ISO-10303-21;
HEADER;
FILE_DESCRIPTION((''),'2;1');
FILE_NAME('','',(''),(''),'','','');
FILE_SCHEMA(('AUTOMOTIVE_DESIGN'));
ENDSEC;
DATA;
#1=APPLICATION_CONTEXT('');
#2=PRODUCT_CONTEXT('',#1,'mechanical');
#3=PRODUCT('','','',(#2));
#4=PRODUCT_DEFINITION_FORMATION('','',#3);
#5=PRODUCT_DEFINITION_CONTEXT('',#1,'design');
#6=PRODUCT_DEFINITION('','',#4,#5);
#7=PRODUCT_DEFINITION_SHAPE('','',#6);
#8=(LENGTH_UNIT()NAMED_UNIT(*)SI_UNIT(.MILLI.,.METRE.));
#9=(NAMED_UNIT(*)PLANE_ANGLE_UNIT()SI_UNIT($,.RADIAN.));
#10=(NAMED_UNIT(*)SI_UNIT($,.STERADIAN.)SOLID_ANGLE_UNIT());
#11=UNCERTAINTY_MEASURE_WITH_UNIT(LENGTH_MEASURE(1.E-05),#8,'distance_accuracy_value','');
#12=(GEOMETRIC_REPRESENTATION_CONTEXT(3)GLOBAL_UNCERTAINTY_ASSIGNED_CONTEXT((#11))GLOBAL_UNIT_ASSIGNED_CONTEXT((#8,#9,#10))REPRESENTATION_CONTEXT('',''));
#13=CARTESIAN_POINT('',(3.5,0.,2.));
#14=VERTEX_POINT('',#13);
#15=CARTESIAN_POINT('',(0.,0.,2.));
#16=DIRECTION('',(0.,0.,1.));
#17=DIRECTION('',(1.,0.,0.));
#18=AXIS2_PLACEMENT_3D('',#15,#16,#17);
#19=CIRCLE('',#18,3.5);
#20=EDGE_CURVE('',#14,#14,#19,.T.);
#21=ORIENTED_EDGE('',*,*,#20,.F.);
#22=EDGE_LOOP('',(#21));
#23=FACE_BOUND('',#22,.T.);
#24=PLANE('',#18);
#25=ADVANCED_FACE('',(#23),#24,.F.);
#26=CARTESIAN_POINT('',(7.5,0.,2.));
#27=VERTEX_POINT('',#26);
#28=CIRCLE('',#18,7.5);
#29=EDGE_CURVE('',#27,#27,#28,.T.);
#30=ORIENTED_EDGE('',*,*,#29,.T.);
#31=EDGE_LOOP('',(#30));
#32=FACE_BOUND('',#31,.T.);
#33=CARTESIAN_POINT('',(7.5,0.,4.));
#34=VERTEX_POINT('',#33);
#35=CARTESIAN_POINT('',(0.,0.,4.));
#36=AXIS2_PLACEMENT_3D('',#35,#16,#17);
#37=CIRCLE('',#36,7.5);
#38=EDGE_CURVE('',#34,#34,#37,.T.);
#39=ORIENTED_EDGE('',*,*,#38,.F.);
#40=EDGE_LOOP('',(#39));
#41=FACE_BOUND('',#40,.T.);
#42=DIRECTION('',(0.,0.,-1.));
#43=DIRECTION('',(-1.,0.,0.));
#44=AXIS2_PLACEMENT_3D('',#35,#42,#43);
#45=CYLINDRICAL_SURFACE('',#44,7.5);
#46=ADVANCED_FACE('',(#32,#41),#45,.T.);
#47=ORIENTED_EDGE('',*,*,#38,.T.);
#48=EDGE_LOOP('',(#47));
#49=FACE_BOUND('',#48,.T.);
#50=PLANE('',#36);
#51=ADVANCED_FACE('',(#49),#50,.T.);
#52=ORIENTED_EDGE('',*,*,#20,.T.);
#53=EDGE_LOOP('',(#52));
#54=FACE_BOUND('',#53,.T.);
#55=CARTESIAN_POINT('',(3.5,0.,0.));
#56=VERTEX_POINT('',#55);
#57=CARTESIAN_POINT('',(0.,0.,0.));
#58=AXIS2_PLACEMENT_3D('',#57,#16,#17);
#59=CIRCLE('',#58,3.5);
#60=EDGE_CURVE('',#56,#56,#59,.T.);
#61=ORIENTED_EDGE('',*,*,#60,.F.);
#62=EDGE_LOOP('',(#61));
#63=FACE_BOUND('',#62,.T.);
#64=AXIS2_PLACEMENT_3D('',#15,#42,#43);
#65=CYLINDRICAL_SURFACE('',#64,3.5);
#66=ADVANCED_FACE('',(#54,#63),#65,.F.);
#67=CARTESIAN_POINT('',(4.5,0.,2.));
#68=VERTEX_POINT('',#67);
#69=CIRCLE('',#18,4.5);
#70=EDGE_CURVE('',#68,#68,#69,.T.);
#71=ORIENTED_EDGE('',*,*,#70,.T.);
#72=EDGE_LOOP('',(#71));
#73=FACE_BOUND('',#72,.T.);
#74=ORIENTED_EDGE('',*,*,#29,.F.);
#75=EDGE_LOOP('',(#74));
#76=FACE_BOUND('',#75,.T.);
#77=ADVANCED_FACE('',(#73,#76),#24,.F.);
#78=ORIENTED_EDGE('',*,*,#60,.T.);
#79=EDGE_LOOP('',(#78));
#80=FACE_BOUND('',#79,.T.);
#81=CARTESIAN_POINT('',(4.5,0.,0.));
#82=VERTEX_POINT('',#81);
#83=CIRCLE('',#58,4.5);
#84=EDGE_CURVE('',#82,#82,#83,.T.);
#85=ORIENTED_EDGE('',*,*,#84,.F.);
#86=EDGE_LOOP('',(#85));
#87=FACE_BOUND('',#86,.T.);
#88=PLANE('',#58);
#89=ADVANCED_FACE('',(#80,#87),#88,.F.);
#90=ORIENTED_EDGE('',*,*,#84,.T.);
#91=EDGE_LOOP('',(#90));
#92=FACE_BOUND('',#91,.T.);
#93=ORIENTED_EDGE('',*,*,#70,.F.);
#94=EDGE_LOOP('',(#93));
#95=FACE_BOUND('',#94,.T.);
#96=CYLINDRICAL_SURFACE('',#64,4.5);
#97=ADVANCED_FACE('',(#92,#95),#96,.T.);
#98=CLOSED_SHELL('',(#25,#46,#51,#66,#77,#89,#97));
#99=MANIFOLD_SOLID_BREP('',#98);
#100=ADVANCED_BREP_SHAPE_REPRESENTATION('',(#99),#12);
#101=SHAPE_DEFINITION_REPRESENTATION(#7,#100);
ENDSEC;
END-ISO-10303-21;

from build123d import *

# Parameters (mm, degrees)
SKETCH_1_R      = 4.5
SKETCH_1_R_2    = 3.5
EXTRUDE_1_DEPTH = 2
SKETCH_2_R      = 7.5
EXTRUDE_2_DEPTH = 2


with BuildPart() as part:
    # 草图1 → 凸台-拉伸1 (new body)
    with BuildSketch(Plane.XY):
        Circle(SKETCH_1_R)
        Circle(SKETCH_1_R_2, mode=Mode.SUBTRACT)
    extrude(amount=EXTRUDE_1_DEPTH)

    # 草图2 → 凸台-拉伸2 (add)
    with BuildSketch(Plane.XY.offset(2)):
        Circle(SKETCH_2_R)
    extrude(amount=EXTRUDE_2_DEPTH)


solid = part.part
